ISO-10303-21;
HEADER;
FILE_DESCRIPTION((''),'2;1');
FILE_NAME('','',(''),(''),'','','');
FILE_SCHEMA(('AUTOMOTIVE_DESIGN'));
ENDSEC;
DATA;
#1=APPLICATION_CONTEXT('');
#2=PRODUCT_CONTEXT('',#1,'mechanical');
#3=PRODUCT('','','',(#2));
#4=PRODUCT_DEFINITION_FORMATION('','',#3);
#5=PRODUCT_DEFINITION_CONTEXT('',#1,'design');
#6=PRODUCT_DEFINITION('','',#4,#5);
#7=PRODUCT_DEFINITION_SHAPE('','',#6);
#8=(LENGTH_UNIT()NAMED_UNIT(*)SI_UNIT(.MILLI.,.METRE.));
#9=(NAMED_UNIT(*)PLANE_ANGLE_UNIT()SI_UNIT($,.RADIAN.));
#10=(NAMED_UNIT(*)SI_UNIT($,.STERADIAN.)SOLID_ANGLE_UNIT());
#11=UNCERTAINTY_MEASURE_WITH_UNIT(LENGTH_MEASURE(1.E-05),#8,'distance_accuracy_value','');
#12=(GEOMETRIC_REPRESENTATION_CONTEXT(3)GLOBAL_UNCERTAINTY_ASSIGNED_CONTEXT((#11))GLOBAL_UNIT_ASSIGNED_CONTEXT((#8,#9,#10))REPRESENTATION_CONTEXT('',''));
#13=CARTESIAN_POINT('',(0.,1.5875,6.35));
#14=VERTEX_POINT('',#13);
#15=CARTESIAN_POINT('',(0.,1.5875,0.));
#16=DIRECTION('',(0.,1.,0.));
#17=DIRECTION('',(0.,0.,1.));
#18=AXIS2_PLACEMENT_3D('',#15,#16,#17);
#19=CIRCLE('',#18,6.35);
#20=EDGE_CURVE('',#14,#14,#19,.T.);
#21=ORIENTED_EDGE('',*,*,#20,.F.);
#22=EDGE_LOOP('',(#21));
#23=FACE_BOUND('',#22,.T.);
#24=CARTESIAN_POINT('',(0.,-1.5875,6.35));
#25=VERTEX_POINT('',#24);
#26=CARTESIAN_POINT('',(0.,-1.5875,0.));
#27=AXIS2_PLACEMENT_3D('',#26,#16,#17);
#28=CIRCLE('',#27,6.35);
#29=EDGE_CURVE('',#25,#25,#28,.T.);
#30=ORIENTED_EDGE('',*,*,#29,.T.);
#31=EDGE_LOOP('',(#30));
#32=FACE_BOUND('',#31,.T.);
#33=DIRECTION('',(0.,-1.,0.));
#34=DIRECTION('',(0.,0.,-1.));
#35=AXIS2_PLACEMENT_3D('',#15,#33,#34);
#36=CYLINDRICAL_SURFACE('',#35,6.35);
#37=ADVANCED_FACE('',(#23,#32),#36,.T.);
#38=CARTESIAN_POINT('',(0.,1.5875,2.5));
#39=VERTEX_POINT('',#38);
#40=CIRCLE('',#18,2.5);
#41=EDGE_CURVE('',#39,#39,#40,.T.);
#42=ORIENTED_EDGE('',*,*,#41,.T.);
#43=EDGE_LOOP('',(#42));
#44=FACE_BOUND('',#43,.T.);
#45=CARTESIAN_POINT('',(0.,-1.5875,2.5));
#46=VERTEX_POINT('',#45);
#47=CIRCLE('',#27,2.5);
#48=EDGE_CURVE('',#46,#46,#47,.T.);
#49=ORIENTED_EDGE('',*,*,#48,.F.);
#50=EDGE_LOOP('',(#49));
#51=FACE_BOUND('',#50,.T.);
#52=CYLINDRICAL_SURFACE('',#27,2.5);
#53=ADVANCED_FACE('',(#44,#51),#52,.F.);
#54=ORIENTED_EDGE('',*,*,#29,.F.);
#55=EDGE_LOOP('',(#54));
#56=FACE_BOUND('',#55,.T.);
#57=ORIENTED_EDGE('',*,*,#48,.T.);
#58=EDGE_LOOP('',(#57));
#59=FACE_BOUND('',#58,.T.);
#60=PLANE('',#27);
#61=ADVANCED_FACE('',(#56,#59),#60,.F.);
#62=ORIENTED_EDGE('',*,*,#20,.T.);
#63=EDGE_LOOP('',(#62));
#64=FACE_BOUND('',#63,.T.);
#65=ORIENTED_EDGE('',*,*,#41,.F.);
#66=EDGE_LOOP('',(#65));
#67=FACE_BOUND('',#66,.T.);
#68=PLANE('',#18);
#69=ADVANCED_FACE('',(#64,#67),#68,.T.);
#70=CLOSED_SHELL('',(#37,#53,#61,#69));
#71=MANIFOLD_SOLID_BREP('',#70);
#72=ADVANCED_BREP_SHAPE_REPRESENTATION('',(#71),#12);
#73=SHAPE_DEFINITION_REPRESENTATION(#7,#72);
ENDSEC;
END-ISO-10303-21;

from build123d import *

# Parameters (mm, degrees)
SKETCH1_R       = 6.35
WHEELBASE_DEPTH = 1.5875
SKETCH3_R       = 2.5
CIRCLEFIT_DEPTH = 10.525


with BuildPart() as part:
    # Sketch1 → wheelbase (new, symmetric)
    with BuildSketch(Plane(origin=(0, 0, 0), x_dir=(1, 0, 0), z_dir=(0, 1, 0))):
        Circle(SKETCH1_R)
    extrude(amount=WHEELBASE_DEPTH, both=True)

    # Sketch3 → circlefit (cut, through all)
    with BuildSketch(Plane(origin=(0, 1.5875, 0), x_dir=(1, 0, 0), z_dir=(0, 1, 0))):
        Circle(SKETCH3_R)
    extrude(amount=-CIRCLEFIT_DEPTH, mode=Mode.SUBTRACT)


solid = part.part
